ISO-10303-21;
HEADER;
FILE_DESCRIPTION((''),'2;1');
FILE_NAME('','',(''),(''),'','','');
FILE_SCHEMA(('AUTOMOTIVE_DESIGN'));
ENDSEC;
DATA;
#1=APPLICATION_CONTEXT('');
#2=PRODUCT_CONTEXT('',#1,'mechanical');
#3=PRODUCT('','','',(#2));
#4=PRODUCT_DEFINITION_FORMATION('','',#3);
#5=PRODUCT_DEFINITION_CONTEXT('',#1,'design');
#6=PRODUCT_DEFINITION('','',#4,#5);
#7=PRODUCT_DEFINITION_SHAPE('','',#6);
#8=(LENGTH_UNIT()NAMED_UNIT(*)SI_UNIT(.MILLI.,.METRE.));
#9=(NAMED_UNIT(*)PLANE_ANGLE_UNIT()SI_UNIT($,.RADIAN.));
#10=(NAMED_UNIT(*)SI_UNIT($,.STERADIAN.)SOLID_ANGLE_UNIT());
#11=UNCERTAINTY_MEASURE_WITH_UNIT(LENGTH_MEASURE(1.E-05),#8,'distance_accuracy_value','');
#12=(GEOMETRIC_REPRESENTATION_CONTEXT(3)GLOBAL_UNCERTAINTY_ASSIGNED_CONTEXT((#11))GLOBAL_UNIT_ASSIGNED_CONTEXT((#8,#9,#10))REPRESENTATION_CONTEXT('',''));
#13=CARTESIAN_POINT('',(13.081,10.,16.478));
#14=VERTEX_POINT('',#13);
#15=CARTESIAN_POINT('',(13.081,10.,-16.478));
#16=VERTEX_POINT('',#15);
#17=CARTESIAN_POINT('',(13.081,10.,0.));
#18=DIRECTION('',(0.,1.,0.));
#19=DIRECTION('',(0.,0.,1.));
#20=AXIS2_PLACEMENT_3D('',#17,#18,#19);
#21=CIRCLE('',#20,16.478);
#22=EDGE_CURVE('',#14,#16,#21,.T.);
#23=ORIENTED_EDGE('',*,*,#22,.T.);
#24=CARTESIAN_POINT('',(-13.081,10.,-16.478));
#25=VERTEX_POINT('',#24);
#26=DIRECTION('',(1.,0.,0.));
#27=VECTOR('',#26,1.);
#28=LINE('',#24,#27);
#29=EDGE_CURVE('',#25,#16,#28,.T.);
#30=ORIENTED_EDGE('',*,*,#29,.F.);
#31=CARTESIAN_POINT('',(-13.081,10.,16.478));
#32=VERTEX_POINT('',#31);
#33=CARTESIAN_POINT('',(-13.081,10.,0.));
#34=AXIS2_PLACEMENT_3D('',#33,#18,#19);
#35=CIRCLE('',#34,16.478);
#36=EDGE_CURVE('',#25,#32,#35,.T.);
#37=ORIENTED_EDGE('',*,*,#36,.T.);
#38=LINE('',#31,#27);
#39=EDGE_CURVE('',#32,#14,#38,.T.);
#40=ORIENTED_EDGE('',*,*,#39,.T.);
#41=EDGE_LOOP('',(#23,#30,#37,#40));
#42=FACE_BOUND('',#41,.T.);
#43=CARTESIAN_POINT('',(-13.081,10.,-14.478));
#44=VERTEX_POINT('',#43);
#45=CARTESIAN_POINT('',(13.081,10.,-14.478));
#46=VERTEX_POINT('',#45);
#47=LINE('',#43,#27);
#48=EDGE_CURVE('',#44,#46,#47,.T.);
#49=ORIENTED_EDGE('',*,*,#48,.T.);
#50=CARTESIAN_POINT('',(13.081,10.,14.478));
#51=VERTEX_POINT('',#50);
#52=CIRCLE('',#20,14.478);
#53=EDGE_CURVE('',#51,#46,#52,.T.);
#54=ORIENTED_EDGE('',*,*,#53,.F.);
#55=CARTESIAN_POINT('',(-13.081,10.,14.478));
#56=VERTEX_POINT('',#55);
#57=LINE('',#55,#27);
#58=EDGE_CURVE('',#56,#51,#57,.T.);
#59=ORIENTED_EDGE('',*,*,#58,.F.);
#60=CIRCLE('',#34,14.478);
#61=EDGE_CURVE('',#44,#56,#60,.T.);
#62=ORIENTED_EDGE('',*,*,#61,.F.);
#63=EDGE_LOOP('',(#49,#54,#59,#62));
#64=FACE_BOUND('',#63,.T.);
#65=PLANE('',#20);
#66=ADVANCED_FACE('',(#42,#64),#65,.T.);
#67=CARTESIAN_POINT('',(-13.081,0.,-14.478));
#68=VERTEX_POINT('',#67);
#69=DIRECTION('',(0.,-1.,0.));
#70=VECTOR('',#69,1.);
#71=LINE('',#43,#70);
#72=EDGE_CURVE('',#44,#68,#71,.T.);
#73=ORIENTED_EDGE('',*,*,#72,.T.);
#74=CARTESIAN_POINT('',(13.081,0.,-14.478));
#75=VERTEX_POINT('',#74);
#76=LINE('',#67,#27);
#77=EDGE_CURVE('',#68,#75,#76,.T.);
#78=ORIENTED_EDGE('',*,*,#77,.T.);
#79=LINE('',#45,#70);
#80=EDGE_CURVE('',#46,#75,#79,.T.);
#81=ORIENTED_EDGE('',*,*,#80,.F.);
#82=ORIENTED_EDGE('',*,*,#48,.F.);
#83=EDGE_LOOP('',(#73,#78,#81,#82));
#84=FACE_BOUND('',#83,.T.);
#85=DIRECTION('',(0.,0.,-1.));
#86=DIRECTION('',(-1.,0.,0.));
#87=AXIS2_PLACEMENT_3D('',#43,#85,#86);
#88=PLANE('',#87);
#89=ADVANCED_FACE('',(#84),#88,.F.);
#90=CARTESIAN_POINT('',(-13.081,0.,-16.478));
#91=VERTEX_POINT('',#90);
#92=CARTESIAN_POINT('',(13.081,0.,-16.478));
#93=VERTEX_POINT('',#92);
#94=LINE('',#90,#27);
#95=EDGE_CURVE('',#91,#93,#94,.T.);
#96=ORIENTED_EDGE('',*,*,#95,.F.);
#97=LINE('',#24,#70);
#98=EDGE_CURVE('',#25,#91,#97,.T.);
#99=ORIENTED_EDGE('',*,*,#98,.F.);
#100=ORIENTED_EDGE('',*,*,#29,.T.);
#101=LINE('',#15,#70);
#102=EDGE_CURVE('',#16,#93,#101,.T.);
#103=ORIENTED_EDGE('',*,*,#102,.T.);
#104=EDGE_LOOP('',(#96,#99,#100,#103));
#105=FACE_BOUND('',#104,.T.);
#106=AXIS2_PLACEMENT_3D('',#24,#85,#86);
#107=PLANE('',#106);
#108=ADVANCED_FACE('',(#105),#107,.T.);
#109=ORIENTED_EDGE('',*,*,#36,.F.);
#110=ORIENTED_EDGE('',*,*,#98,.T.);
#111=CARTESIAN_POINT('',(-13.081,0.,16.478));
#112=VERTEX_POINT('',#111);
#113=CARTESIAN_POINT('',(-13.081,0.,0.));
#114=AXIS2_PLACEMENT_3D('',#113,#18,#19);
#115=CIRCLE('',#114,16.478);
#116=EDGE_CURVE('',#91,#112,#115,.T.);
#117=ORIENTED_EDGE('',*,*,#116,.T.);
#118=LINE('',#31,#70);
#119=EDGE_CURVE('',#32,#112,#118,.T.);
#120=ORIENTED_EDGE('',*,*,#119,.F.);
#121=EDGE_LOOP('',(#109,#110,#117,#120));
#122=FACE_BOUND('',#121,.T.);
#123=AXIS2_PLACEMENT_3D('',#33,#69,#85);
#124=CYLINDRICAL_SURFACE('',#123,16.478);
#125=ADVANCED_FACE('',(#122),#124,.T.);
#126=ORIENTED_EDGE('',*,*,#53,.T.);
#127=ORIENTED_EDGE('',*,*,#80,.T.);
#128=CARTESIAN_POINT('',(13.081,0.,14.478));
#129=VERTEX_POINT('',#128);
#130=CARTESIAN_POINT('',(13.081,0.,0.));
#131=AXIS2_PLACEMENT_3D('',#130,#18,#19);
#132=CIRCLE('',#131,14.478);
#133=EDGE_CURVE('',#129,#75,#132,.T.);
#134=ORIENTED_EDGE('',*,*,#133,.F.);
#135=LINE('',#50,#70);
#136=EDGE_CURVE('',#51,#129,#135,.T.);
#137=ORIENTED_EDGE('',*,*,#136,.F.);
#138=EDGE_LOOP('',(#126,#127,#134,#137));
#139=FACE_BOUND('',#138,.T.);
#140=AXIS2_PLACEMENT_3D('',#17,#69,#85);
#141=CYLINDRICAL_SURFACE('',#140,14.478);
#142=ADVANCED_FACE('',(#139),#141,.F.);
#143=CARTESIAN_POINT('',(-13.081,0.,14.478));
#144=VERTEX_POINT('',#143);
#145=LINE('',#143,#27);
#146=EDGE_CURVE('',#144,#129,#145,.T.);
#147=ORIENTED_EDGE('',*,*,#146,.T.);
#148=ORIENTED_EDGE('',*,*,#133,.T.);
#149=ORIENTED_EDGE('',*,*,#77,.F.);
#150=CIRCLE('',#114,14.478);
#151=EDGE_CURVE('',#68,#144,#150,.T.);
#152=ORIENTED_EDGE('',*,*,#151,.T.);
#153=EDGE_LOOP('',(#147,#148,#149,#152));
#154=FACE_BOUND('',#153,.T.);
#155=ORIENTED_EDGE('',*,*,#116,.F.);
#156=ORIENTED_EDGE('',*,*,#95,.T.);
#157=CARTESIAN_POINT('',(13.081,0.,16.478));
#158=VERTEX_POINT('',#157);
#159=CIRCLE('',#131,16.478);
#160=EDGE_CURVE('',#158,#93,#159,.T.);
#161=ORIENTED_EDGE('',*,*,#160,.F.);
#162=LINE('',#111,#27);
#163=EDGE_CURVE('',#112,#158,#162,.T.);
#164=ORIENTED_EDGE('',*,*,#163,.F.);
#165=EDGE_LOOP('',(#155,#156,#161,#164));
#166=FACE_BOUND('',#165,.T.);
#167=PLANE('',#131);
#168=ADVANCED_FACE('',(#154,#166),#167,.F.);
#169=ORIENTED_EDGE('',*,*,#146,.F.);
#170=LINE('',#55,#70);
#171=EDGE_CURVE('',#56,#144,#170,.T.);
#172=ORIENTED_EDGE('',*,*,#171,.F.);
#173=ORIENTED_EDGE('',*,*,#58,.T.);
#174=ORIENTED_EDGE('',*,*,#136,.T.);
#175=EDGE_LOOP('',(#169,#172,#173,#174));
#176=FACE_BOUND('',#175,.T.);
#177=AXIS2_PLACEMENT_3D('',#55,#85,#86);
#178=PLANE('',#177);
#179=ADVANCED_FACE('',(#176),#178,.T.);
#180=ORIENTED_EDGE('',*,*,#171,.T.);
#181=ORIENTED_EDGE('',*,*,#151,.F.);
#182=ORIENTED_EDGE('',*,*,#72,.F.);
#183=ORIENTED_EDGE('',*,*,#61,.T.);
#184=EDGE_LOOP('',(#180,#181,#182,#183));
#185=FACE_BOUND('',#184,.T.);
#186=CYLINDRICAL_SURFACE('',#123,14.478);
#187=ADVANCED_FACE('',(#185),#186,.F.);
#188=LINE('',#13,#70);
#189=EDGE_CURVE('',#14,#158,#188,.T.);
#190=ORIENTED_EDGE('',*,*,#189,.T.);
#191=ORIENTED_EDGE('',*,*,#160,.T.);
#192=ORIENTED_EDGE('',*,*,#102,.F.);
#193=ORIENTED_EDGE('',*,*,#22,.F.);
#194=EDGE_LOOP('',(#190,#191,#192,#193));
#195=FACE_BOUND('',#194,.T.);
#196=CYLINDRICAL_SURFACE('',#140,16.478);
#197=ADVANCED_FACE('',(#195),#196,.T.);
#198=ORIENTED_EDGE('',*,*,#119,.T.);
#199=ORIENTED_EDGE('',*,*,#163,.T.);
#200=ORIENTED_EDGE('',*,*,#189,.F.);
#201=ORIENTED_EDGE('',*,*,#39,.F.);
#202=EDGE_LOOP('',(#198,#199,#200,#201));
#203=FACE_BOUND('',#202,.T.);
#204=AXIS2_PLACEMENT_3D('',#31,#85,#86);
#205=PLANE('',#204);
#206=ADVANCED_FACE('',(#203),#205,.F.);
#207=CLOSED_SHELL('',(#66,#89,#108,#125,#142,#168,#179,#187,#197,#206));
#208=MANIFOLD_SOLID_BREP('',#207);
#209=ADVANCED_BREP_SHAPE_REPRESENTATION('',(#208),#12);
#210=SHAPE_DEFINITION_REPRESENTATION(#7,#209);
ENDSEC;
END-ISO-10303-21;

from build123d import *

# Parameters (mm, degrees)
BOSS_EXTRUDE1_DEPTH = 10


with BuildPart() as part:
    # Sketch1 → Boss-Extrude1 (new body)
    with BuildSketch(Plane(origin=(0, 0, 0), x_dir=(1, 0, 0), z_dir=(0, 1, 0))):
        with BuildLine():
            Line((-13.081, 16.478), (13.081, 16.478))
            ThreePointArc((13.081, 16.478), (29.559, 0), (13.081, -16.478))
            Line((13.081, -16.478), (-13.081, -16.478))
            ThreePointArc((-13.081, -16.478), (-29.559, 0), (-13.081, 16.478))
        make_face()
        with BuildLine():
            Line((-13.081, 14.478), (13.081, 14.478))
            ThreePointArc((13.081, 14.478), (27.559, 0), (13.081, -14.478))
            Line((13.081, -14.478), (-13.081, -14.478))
            ThreePointArc((-13.081, -14.478), (-27.559, 0), (-13.081, 14.478))
        make_face(mode=Mode.SUBTRACT)
    extrude(amount=BOSS_EXTRUDE1_DEPTH)


solid = part.part
